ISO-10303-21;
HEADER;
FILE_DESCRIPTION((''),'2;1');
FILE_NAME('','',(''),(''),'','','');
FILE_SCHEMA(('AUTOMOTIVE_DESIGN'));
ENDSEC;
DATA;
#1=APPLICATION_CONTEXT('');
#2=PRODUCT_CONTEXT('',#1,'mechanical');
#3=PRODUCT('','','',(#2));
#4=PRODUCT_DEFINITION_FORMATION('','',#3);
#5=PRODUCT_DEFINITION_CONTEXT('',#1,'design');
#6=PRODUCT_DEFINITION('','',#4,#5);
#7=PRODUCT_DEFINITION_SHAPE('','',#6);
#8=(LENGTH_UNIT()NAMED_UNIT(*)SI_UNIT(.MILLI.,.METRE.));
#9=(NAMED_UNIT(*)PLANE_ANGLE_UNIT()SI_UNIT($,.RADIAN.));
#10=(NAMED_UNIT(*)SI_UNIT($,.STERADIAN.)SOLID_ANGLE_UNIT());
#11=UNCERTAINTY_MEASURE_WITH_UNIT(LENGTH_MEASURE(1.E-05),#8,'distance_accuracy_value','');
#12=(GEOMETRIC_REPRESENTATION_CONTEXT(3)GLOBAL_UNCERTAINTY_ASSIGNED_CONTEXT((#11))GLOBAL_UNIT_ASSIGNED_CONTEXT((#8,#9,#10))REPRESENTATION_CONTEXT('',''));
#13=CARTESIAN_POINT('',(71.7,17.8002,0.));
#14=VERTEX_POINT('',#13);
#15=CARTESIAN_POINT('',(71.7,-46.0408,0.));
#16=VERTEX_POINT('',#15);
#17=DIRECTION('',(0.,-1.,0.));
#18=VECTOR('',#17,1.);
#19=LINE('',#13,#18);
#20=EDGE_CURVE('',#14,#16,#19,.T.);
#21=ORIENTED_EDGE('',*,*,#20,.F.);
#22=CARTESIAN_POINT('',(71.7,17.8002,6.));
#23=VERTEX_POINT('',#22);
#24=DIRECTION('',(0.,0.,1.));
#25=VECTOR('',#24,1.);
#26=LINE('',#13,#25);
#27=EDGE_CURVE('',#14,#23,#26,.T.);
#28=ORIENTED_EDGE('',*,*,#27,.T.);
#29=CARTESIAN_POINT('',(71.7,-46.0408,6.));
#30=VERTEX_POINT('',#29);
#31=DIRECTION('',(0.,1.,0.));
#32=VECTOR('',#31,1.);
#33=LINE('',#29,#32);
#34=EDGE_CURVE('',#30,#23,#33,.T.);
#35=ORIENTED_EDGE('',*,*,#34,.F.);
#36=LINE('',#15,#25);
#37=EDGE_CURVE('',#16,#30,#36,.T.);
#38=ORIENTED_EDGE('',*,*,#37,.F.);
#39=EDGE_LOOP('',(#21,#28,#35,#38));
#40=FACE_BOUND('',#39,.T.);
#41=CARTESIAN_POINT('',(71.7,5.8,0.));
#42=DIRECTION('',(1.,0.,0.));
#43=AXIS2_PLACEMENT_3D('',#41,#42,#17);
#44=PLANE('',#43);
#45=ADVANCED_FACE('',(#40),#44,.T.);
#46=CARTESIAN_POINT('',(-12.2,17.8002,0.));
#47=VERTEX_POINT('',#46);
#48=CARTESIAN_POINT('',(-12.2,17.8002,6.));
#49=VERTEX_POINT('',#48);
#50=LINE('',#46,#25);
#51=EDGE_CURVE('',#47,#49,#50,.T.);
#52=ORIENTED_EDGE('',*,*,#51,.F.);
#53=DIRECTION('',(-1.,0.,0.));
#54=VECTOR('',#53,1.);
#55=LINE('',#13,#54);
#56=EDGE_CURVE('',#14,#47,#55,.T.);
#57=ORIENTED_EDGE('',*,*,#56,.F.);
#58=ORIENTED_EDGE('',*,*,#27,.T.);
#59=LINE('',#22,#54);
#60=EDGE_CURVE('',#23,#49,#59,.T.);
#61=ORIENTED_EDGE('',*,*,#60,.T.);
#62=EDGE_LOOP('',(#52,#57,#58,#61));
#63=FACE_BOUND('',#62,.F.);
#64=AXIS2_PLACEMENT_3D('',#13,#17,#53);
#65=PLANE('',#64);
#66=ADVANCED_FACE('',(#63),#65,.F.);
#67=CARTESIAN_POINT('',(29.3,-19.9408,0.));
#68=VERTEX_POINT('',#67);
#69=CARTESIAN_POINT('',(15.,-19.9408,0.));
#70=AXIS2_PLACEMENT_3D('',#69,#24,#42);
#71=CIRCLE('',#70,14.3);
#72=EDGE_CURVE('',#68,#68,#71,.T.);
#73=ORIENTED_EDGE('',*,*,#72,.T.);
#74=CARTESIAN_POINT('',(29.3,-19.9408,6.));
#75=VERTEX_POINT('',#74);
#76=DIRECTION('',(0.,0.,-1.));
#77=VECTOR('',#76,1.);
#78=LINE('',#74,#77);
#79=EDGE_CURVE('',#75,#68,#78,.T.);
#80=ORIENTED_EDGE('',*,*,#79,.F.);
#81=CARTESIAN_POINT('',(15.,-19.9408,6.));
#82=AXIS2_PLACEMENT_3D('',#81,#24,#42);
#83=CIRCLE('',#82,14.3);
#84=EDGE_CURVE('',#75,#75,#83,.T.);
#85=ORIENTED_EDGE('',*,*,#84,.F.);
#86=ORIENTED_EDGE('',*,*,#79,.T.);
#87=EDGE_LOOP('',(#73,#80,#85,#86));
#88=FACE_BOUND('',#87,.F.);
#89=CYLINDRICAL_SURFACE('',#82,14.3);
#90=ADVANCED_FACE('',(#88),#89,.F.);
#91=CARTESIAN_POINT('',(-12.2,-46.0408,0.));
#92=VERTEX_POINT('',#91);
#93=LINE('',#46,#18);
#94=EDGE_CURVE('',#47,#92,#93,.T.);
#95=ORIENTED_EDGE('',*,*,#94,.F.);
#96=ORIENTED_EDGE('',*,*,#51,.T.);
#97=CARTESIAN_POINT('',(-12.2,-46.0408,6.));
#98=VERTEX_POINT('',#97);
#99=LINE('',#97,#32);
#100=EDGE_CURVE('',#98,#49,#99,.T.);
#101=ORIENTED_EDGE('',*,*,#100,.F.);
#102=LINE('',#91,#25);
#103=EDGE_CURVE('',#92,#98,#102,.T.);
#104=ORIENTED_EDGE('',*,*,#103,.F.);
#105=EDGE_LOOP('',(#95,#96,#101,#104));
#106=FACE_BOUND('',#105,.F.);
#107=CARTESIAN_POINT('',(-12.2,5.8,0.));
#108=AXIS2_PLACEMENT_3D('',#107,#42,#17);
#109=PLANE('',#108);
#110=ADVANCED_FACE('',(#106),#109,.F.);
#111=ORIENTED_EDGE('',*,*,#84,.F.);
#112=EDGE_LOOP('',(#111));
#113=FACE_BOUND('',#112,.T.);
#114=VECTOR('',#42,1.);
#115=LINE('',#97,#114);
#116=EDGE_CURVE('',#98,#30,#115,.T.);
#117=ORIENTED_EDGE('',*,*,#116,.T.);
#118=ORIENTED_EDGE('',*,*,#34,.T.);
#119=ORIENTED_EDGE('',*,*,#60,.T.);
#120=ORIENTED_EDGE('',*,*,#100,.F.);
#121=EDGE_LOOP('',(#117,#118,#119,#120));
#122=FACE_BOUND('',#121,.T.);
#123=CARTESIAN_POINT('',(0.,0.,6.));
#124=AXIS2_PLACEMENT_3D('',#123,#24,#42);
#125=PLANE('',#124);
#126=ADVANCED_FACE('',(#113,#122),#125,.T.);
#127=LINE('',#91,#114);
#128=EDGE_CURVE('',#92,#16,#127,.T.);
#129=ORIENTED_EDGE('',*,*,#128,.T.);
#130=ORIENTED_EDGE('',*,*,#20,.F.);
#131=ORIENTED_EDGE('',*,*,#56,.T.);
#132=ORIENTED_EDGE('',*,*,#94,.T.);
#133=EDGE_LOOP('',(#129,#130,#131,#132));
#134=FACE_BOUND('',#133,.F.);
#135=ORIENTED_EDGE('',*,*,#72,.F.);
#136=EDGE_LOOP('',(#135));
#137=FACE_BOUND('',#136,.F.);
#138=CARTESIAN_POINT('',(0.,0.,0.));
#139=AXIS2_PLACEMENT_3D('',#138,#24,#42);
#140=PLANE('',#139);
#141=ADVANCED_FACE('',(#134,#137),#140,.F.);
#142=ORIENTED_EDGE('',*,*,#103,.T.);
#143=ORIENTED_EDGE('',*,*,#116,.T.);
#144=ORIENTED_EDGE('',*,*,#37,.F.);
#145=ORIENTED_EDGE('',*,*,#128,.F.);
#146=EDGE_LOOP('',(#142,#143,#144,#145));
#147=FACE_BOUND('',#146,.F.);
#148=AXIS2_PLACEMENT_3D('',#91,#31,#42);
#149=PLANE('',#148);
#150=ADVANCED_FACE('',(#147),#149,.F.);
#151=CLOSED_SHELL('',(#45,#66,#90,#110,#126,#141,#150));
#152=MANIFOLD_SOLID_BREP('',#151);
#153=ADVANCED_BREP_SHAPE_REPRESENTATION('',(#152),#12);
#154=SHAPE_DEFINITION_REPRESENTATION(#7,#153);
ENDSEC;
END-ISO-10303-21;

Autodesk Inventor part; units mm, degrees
ref_plane "YZ Plane" through (0, 0, 0) normal (1, 0, 0) x (0, 1, 0)
ref_plane "XZ Plane" through (0, 0, 0) normal (0, 1, 0) x (-1, 0, 0)
ref_plane "XY Plane" through (0, 0, 0) normal (0, 0, 1) x (1, 0, 0)
sketch "스케치1" plane through (0, 0, 0) normal (0, 0, 1) x (1, 0, 0)
  line L0 (-12.2, 0) -> (71.7, 0) projected
  line L1 (71.7, 5.8) -> (71.7, 0) projected
  line L2 (-12.2, 5.8) -> (71.7, 5.8) projected
  line L3 (-12.2, 5.8) -> (-12.2, 0) projected
  line L4 (-12.2, -46.0408) -> (71.7, -46.0408) projected
  line L5 (71.7, -40.2408) -> (71.7, -46.0408) projected
  line L6 (-12.2, -40.2408) -> (71.7, -40.2408) projected
  line L7 (-12.2, -40.2408) -> (-12.2, -46.0408) projected
  line L8 (-12.2, -46.0408) -> (71.7, -46.0408)
  line L9 (71.7, -46.0408) -> (71.7, 17.8002)
  line L10 (71.7, 17.8002) -> (-12.2, 17.8002)
  line L11 (-12.2, 17.8002) -> (-12.2, -46.0408)
  point P0 (0, 0)
  dimension "d0" = 63.841
extrude "돌출1" add sketch "스케치1" along normal blind 6
sketch "스케치2" plane through (0, 0, 6) normal (0, 0, 1) x (1, 0, 0)
  circle A0 centre (15, -19.9408) radius 14.3
  point P0 (0, 0)
extrude "돌출2" cut sketch "스케치2" against normal blind 6
properties part number "부품74" material "PMMA 플라스틱"
